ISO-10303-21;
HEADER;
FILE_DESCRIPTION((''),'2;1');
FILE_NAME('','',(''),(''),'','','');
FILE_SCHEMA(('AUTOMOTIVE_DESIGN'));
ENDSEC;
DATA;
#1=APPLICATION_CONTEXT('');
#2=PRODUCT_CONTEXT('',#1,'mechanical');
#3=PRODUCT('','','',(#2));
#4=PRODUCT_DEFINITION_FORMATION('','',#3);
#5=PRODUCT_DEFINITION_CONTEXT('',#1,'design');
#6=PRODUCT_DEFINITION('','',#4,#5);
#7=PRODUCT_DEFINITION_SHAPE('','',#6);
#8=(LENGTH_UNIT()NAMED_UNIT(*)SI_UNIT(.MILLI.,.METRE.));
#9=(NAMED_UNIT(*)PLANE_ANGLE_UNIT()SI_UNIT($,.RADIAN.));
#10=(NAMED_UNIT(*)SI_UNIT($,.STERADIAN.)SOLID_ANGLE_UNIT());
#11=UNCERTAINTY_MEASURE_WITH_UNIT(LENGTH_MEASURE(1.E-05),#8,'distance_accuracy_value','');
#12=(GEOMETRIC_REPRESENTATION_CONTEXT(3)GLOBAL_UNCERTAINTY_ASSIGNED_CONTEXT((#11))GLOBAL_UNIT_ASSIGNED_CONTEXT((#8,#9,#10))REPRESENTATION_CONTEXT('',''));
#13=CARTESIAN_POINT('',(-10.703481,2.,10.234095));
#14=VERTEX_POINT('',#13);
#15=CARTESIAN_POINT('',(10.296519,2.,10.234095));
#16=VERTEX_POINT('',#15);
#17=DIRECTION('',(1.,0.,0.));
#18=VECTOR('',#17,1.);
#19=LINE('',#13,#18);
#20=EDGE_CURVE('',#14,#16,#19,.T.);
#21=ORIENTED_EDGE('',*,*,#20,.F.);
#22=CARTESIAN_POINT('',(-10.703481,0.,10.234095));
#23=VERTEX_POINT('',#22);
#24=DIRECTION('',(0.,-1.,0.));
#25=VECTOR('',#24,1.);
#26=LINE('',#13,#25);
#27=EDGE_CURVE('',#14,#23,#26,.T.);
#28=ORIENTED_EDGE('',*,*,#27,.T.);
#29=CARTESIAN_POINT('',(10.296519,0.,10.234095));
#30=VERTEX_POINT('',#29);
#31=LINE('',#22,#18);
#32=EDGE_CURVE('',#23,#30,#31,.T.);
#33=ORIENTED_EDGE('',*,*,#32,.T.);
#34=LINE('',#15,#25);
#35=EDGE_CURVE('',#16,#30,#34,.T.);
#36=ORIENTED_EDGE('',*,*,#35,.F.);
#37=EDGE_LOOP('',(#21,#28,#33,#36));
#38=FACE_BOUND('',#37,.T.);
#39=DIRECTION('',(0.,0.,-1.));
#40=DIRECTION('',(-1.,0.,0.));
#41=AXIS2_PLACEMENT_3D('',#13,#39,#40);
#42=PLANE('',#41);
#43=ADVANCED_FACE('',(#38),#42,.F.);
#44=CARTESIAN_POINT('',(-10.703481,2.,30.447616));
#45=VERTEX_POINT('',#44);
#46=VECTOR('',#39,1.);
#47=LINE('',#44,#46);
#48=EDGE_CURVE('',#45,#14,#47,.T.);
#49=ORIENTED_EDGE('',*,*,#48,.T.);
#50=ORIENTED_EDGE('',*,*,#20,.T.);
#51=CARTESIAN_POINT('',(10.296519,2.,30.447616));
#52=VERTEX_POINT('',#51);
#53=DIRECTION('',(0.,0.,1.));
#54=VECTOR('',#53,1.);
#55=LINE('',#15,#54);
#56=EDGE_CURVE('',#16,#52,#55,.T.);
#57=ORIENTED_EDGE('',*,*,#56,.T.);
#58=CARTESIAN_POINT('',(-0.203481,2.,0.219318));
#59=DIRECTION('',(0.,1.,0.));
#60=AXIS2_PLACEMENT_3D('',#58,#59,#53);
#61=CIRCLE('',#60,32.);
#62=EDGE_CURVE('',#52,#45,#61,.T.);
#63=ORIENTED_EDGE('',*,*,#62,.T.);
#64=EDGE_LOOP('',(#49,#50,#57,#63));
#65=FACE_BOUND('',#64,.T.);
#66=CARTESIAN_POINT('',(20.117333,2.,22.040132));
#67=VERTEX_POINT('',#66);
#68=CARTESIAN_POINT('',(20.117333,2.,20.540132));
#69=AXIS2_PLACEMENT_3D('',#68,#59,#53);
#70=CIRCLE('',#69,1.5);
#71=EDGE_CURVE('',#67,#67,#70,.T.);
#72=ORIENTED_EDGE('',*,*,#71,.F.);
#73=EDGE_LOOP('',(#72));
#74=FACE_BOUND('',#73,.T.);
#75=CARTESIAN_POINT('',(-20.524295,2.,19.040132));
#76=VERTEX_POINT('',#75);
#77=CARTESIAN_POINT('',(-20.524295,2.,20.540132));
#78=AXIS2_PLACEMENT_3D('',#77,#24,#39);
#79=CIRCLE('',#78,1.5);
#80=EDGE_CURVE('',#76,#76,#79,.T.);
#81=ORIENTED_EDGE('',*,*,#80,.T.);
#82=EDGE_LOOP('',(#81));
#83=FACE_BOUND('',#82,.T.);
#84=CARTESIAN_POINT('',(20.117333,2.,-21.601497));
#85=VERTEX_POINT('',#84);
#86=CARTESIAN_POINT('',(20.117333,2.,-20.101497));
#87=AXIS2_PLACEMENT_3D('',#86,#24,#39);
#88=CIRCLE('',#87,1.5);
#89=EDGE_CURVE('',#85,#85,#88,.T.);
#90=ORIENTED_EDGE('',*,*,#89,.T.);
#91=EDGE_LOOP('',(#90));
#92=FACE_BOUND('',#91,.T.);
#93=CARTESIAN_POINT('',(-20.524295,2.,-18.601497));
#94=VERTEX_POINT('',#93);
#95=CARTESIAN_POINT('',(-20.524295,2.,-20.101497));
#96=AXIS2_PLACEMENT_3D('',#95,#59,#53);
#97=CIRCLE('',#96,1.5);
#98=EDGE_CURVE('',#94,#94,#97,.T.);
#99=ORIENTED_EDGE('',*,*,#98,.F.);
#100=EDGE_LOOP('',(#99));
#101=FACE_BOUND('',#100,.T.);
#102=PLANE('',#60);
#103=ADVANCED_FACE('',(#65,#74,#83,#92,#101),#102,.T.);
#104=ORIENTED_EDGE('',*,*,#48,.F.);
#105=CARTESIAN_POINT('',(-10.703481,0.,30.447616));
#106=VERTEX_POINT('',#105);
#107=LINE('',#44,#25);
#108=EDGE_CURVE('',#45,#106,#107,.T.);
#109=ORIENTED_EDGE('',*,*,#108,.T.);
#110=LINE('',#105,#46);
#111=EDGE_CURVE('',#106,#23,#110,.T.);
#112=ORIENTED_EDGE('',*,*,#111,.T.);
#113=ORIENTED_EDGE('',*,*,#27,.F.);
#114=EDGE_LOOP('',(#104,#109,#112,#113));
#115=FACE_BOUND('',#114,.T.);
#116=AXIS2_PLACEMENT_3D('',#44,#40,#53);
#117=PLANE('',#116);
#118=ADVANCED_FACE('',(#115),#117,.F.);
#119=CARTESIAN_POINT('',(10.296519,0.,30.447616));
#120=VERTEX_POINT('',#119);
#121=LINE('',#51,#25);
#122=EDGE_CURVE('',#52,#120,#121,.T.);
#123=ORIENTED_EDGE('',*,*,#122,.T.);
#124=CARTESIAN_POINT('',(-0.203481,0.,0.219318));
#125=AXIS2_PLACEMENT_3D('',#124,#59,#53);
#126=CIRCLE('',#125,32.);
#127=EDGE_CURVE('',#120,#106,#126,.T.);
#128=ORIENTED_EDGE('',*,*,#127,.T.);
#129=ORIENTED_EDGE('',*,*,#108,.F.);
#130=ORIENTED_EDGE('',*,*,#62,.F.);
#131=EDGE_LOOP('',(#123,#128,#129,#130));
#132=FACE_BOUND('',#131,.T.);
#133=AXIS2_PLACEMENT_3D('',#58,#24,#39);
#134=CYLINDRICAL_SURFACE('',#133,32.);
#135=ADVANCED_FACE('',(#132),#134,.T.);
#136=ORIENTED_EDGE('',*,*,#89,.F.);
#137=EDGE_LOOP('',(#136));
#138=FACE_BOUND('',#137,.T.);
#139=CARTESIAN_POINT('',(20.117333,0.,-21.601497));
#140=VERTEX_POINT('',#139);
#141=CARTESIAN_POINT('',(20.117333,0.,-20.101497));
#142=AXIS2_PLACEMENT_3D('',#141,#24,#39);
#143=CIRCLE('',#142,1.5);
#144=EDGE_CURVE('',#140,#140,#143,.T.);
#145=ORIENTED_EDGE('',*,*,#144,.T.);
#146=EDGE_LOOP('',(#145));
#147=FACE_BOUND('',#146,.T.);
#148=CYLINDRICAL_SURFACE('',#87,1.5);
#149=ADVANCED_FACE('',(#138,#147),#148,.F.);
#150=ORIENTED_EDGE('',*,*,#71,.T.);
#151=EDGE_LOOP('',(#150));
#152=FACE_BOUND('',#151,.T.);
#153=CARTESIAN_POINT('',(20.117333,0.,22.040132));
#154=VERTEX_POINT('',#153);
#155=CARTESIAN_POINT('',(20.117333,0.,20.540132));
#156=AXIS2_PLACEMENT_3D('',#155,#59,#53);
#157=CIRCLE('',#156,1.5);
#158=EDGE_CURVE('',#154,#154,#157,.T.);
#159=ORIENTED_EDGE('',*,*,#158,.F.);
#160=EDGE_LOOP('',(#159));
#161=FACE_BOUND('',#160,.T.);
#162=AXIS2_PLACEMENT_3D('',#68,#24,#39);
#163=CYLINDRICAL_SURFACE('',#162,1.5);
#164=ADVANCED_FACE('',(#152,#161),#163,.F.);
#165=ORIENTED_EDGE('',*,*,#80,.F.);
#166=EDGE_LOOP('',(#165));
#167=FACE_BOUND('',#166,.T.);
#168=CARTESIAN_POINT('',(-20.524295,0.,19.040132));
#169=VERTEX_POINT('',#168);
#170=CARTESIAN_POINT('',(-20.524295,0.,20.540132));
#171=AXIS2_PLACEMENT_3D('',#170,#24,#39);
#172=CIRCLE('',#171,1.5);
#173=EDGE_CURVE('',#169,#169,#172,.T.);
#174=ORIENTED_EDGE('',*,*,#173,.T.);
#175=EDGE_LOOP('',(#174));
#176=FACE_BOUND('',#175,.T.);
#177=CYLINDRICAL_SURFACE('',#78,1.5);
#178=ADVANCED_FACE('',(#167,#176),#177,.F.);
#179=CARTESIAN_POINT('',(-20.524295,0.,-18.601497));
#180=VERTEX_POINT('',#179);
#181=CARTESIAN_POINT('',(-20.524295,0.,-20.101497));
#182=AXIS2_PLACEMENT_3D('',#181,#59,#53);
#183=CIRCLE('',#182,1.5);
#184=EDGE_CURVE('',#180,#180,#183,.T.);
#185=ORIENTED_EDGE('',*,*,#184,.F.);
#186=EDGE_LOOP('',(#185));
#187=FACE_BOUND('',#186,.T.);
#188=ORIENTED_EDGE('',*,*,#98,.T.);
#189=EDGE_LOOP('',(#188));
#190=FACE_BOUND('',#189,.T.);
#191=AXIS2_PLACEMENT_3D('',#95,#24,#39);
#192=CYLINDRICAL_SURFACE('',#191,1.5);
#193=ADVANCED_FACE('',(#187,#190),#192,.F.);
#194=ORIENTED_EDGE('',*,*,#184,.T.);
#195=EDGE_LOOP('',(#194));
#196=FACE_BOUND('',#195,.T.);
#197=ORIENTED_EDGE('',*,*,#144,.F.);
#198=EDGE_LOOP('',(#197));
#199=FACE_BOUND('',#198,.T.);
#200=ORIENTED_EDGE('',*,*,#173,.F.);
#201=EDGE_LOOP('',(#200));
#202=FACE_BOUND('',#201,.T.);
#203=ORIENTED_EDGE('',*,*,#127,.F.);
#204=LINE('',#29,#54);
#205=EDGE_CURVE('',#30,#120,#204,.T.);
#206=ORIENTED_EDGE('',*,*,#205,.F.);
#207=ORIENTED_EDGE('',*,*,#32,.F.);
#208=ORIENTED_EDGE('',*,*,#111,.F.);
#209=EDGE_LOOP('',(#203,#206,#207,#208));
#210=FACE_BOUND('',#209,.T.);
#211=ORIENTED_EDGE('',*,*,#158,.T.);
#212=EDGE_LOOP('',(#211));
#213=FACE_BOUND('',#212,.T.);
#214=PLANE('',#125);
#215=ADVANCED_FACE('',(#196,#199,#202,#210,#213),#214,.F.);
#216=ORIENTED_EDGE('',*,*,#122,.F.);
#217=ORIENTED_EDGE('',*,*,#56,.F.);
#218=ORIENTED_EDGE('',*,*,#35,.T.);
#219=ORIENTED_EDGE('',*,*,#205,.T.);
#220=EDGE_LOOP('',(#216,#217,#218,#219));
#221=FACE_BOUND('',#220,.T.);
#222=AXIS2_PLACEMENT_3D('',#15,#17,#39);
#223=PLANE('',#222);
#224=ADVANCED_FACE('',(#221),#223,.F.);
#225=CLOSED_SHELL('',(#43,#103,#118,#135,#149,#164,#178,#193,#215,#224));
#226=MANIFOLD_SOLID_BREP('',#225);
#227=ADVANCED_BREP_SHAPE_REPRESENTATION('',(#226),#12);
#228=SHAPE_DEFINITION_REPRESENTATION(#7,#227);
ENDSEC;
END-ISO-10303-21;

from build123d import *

# Parameters (mm, degrees)
CROQUIS1_R              = 1.5
SALIENTE_EXTRUIR2_DEPTH = 2


with BuildPart() as part:
    # Croquis1 → Saliente-Extruir2 (new body)
    with BuildSketch(Plane(origin=(0, 0, 0), x_dir=(1, 0, 0), z_dir=(0, 1, 0))):
        with BuildLine():
            Line((10.296518832, -10.234095306), (10.296518832, -30.447615579))
            ThreePointArc((10.296518832, -30.447615579), (-0.203481168, 31.780682421), (-10.703481168, -30.447615579))
            Line((-10.703481168, -30.447615579), (-10.703481168, -10.234095306))
            Line((-10.703481168, -10.234095306), (10.296518832, -10.234095306))
        make_face()
        with Locations((-20.524295325, 20.101496578)):
            Circle(CROQUIS1_R, mode=Mode.SUBTRACT)
        with Locations((20.117332989, 20.101496578)):
            Circle(CROQUIS1_R, mode=Mode.SUBTRACT)
        with Locations((20.117332989, -20.540131736)):
            Circle(CROQUIS1_R, mode=Mode.SUBTRACT)
        with Locations((-20.524295325, -20.540131736)):
            Circle(CROQUIS1_R, mode=Mode.SUBTRACT)
    extrude(amount=SALIENTE_EXTRUIR2_DEPTH)


solid = part.part
